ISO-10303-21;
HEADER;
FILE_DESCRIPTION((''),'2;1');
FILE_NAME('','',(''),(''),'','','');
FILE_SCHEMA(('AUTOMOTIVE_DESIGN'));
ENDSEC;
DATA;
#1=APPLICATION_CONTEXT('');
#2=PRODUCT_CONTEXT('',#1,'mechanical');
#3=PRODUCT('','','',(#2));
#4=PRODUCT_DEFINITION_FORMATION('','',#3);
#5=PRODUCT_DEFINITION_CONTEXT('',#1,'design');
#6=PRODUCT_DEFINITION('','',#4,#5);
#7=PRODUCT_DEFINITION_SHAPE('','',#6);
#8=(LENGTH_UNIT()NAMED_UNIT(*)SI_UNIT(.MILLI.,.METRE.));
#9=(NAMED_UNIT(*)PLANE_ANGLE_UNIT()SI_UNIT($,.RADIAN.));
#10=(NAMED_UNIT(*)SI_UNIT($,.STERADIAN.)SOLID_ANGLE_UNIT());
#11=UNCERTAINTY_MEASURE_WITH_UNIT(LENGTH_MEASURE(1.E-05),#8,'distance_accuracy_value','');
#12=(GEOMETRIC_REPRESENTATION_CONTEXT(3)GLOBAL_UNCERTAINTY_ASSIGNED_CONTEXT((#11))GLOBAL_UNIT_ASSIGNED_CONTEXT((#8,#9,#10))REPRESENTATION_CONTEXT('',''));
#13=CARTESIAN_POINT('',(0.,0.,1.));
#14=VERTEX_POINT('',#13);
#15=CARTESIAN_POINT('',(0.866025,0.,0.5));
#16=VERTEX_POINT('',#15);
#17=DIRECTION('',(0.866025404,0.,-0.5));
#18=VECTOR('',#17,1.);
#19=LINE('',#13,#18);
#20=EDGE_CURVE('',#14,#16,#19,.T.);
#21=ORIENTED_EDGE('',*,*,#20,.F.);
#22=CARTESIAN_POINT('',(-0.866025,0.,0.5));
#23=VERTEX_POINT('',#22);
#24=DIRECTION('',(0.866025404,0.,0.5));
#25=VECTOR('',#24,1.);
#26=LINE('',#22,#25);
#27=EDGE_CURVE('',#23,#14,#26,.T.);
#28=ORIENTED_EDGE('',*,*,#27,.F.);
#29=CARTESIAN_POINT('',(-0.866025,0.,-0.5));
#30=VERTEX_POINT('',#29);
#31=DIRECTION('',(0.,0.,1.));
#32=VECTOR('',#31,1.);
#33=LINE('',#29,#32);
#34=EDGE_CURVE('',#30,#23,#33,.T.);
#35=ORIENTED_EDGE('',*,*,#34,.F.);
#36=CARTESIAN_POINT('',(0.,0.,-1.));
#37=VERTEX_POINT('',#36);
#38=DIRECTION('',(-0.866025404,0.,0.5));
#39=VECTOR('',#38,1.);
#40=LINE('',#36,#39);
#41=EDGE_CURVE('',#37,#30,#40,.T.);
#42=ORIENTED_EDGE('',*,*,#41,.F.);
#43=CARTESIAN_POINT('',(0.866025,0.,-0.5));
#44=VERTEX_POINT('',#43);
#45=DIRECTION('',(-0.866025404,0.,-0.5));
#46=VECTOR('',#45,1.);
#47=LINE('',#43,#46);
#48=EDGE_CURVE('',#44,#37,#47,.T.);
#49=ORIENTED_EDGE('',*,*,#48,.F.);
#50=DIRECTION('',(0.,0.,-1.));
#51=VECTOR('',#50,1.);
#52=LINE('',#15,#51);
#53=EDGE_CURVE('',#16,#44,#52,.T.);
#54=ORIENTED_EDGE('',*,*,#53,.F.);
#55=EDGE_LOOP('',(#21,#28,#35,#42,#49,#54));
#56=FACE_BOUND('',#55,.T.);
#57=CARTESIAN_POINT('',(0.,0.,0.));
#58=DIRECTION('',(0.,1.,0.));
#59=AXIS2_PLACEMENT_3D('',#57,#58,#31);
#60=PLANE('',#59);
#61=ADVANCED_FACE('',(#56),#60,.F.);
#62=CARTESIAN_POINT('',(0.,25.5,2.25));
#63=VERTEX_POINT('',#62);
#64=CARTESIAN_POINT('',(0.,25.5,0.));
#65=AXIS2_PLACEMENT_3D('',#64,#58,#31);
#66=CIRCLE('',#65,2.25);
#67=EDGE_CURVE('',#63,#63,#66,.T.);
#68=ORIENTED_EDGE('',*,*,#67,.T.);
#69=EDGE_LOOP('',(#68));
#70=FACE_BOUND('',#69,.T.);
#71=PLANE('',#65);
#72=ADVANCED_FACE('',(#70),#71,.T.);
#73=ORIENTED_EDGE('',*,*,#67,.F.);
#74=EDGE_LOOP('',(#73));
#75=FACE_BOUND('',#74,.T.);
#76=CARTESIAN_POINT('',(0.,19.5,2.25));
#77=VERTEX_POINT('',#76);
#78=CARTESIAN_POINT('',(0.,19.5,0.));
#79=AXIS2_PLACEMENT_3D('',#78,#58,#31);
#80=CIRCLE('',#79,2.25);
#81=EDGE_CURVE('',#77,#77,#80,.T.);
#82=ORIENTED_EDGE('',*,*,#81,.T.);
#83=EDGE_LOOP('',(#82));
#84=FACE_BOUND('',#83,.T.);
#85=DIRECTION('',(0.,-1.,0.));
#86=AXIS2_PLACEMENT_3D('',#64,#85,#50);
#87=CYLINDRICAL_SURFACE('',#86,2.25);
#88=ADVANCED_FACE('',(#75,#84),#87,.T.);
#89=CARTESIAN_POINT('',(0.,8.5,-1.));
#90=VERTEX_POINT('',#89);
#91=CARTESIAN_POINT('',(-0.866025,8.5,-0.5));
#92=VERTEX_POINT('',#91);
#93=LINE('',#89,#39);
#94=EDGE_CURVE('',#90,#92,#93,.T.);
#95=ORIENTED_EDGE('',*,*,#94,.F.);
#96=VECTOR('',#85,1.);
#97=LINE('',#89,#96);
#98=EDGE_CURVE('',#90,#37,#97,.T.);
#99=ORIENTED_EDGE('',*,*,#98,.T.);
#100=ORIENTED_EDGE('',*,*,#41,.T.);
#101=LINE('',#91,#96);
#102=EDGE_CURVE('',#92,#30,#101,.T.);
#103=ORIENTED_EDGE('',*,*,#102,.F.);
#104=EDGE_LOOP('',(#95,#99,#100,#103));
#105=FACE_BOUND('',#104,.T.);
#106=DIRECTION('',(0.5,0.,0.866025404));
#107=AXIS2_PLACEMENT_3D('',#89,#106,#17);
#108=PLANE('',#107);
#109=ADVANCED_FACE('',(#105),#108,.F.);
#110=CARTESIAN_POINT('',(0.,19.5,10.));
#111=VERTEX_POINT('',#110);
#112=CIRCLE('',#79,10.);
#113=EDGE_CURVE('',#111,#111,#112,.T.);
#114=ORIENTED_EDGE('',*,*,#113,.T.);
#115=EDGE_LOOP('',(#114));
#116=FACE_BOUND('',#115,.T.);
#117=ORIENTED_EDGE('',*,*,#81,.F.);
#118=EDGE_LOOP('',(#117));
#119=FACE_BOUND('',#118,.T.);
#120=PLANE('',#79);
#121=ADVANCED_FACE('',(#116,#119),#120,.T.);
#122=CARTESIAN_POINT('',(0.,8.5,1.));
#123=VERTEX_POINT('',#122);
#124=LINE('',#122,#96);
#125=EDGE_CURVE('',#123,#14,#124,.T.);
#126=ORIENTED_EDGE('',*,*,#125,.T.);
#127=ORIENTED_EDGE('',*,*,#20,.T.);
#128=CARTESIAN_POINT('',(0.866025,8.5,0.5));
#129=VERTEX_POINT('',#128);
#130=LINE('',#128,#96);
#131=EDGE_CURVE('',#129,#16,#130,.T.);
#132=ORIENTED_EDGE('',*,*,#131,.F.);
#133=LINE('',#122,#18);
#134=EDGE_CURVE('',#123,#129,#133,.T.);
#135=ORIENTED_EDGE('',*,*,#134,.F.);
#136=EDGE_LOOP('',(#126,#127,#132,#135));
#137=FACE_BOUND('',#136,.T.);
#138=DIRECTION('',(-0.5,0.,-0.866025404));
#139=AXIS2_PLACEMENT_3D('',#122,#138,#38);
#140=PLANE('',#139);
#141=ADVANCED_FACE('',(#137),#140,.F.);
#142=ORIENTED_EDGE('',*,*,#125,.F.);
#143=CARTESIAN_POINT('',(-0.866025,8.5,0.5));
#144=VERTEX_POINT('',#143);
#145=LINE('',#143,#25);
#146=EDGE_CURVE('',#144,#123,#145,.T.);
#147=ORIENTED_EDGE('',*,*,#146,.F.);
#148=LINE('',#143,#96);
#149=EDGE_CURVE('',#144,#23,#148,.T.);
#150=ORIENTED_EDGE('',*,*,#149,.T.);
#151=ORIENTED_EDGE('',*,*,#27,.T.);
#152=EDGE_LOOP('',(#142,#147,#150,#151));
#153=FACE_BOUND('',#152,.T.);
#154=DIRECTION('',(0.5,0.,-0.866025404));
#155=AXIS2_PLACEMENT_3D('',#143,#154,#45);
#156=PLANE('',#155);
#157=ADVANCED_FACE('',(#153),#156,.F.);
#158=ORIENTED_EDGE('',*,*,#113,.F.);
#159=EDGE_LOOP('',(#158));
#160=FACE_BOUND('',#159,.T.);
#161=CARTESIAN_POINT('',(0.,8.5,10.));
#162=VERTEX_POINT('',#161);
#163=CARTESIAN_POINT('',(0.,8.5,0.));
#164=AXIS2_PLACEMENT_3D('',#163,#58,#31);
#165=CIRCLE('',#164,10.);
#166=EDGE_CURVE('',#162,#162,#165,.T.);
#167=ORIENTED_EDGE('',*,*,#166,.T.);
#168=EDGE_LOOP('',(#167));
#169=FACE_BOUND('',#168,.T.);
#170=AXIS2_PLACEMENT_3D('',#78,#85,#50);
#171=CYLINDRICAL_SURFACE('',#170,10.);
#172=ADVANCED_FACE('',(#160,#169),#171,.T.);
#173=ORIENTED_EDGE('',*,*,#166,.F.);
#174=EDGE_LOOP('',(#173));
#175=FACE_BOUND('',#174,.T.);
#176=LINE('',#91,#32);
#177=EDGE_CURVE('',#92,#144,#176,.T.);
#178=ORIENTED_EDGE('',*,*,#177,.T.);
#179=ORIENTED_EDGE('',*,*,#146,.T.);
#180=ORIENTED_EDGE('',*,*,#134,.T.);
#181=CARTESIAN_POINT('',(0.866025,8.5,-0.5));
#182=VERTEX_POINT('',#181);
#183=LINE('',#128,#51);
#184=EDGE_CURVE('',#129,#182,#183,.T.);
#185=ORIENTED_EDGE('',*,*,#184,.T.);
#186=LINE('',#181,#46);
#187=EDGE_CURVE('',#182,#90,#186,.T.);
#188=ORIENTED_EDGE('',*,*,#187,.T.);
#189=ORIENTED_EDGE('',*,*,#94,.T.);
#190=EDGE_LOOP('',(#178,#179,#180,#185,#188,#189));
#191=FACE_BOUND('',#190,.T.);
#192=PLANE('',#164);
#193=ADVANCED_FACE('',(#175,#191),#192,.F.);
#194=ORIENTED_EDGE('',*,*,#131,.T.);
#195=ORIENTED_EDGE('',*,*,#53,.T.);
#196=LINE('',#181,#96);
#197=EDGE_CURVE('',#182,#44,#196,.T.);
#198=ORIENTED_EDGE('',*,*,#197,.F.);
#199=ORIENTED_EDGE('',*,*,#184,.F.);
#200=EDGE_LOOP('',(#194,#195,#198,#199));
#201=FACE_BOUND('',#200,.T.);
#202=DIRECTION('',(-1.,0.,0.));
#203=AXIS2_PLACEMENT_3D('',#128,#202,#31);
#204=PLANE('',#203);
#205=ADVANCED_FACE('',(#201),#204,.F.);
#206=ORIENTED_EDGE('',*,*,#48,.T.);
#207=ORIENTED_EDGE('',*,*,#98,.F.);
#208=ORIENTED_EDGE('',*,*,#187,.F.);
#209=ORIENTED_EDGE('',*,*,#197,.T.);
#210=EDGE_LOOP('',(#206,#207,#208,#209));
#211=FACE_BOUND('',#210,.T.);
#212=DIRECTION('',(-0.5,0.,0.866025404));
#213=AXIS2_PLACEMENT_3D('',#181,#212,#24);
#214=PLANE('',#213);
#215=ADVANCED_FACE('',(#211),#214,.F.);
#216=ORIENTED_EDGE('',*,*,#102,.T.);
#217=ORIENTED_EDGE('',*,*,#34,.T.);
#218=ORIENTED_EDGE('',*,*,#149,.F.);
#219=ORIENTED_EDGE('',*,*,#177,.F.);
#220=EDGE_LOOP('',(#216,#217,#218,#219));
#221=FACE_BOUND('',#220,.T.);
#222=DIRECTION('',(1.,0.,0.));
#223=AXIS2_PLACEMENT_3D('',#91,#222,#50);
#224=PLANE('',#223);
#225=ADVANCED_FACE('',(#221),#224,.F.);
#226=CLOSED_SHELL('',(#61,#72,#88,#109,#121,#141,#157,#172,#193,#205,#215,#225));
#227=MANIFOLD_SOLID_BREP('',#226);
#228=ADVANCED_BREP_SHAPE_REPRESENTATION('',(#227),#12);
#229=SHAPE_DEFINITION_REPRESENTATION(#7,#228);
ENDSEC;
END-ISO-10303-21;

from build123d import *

# Parameters (mm, degrees)
BOSS_EXTRUDE1_DEPTH = 8.5
SKETCH2_R           = 10
BOSS_EXTRUDE2_DEPTH = 11
SKETCH3_R           = 2.25
BOSS_EXTRUDE3_DEPTH = 6


with BuildPart() as part:
    # Sketch1 → Boss-Extrude1 (new body)
    with BuildSketch(Plane(origin=(0, 0, 0), x_dir=(1, 0, 0), z_dir=(0, 1, 0))):
        Polygon((0, 1), (-0.866025404, 0.5), (-0.866025404, -0.5), (0, -1), (0.866025404, -0.5), (0.866025404, 0.5), align=None)
    extrude(amount=BOSS_EXTRUDE1_DEPTH)

    # Sketch2 → Boss-Extrude2 (add)
    with BuildSketch(Plane(origin=(0, 8.5, 0), x_dir=(1, 0, 0), z_dir=(0, 1, 0))):
        Circle(SKETCH2_R)
    extrude(amount=BOSS_EXTRUDE2_DEPTH)

    # Sketch3 → Boss-Extrude3 (add)
    with BuildSketch(Plane(origin=(0, 19.5, 0), x_dir=(1, 0, 0), z_dir=(0, 1, 0))):
        Circle(SKETCH3_R)
    extrude(amount=BOSS_EXTRUDE3_DEPTH)


solid = part.part
